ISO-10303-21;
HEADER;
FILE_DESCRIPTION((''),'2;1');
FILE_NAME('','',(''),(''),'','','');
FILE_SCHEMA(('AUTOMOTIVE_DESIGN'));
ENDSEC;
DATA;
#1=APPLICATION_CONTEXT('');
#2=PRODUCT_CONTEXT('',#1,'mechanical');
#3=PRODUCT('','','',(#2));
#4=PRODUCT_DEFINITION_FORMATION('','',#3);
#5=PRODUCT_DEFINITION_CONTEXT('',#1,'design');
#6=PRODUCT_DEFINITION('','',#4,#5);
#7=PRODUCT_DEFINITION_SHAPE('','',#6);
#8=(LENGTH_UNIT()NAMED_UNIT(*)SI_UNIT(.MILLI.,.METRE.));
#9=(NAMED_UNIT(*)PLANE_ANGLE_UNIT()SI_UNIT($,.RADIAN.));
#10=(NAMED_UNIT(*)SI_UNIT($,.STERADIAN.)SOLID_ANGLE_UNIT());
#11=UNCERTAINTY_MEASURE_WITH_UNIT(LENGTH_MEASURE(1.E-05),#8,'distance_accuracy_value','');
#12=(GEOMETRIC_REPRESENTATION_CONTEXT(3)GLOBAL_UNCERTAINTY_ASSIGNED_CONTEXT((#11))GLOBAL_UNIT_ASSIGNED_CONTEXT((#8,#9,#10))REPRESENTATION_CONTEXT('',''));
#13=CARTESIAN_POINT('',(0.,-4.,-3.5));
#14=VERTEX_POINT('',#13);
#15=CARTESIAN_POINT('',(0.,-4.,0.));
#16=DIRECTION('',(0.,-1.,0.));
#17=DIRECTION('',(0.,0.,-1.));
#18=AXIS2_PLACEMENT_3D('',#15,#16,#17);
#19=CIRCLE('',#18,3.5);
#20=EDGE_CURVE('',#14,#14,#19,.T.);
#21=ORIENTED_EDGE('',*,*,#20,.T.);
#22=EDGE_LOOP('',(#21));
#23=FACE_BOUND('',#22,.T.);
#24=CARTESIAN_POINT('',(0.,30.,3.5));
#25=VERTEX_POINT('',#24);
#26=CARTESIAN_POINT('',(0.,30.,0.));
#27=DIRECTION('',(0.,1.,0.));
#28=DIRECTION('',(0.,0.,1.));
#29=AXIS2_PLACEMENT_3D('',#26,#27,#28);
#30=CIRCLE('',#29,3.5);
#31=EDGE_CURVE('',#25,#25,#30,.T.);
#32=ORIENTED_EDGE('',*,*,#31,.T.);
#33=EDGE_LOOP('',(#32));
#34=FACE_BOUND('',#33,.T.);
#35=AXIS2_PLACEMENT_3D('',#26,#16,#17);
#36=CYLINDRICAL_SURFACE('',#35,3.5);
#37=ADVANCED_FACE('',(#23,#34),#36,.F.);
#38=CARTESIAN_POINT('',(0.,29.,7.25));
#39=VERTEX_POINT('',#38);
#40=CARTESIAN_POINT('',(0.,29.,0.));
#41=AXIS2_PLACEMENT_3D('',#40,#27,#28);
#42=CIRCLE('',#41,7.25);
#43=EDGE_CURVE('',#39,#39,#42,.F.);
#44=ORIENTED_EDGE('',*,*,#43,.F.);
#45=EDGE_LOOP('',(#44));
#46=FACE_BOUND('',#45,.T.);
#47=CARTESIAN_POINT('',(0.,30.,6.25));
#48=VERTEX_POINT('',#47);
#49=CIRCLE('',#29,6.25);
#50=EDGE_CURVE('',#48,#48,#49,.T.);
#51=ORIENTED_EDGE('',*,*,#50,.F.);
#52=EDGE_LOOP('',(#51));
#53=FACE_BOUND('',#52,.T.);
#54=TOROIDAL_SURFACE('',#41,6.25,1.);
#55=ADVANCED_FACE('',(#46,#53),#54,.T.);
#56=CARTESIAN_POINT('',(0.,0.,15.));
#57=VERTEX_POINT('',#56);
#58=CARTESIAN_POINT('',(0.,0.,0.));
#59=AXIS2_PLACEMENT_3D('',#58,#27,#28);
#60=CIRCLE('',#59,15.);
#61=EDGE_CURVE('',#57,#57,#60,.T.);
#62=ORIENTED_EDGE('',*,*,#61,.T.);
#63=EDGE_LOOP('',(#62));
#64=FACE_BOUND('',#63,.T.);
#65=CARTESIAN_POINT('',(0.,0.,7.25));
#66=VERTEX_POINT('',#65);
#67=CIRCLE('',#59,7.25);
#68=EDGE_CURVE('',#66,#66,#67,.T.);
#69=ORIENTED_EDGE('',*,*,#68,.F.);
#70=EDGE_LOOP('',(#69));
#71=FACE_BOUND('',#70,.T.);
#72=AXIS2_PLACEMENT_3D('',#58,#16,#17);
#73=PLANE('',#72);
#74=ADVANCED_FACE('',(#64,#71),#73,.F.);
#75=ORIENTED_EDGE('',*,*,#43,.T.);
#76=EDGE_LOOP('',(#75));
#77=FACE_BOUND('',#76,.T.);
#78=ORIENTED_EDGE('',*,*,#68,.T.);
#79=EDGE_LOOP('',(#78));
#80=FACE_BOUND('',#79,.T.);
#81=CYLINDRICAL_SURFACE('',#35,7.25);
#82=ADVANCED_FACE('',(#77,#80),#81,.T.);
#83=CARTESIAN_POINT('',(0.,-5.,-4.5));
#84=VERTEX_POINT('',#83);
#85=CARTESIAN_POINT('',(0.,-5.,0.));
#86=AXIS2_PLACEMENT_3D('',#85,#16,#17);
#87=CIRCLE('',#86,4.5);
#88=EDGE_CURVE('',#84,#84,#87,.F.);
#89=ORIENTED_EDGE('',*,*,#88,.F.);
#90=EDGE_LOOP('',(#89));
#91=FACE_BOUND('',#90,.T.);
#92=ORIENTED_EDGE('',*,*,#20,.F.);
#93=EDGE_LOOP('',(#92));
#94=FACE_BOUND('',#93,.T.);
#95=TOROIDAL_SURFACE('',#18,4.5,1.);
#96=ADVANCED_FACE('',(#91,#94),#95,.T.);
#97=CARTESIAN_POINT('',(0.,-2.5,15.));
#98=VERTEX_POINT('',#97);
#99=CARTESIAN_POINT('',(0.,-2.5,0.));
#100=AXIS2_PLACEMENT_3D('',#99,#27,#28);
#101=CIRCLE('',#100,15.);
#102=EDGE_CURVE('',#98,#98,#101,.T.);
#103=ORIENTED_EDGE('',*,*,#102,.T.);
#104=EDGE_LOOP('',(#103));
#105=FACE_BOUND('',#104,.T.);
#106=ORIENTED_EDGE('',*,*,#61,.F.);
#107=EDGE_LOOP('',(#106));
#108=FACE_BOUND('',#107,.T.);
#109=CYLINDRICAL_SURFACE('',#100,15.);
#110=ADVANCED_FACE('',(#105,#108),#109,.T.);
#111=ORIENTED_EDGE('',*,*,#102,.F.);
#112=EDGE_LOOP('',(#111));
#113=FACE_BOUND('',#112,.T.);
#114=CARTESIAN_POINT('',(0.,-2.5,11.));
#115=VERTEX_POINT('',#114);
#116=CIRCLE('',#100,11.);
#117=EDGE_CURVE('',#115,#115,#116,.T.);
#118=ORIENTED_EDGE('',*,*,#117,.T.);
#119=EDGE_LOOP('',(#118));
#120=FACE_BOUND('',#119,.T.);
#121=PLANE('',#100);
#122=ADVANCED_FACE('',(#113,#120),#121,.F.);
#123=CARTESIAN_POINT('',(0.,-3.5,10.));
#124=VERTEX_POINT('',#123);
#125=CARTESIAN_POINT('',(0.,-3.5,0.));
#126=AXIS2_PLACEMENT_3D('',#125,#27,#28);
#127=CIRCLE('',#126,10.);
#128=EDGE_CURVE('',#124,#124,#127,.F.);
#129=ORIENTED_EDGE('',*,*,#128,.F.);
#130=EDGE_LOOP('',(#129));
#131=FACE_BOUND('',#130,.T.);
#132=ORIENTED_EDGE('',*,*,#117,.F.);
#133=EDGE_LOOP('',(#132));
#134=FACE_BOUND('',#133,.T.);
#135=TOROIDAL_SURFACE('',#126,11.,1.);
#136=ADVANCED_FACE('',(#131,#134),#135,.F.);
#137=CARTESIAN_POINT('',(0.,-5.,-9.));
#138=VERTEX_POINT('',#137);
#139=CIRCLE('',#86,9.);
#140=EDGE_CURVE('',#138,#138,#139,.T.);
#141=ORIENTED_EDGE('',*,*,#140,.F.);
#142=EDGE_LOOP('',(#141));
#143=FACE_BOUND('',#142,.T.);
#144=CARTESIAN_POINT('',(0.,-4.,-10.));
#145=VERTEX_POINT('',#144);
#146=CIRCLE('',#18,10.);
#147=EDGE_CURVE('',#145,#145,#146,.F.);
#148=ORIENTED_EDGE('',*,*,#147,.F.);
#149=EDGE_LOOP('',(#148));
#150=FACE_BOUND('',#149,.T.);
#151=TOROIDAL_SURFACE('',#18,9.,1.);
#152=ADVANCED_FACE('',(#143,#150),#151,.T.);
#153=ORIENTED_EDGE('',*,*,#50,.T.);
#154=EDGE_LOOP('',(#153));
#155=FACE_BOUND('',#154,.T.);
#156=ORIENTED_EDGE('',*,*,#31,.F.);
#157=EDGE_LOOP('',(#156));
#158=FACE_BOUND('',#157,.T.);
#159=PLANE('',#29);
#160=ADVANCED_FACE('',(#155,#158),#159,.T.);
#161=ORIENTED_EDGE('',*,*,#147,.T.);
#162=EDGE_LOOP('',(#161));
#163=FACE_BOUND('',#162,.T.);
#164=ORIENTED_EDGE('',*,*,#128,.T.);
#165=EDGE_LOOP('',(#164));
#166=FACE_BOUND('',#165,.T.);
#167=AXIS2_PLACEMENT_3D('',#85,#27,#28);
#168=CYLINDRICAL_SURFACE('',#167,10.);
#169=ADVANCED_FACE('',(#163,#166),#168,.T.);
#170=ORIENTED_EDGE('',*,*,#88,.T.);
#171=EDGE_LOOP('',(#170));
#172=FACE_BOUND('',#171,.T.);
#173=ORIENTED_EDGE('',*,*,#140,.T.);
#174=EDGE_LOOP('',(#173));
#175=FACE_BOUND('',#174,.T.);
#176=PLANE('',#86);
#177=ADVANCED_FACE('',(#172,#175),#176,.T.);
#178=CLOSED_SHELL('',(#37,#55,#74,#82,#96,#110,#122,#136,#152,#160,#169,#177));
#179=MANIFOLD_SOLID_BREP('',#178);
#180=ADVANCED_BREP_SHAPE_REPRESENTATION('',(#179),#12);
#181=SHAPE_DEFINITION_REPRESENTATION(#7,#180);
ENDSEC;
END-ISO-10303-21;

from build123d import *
from build123d.topology import SkipClean

# Parameters (mm, degrees)
SKETCH1_R           = 7.25
SKETCH1_R_2         = 3.5
BOSS_EXTRUDE1_DEPTH = 30
BOSS_EXTRUDE2_START = 5
SKETCH2_R           = 10
SKETCH2_R_2         = 3.5
BOSS_EXTRUDE2_DEPTH = 5
BOSS_EXTRUDE3_START = -2.5
SKETCH3_R           = 15
SKETCH3_R_2         = 3.5
BOSS_EXTRUDE3_DEPTH = 2.5
FILLET1_R           = 1


with BuildPart() as part:
    # Sketch1 → Boss-Extrude1 (new body)
    with BuildSketch(Plane(origin=(0, 0, 0), x_dir=(1, 0, 0), z_dir=(0, 1, 0))):
        with Locations(Location((0, 0, 0), (0, 0, 270))):
            Circle(SKETCH1_R)
        with Locations(Location((0, 0, 0), (0, 0, 270))):
            Circle(SKETCH1_R_2, mode=Mode.SUBTRACT)
    extrude(amount=BOSS_EXTRUDE1_DEPTH)

    # Sketch2 → Boss-Extrude2 (add)
    with SkipClean():  # the faces are left unmerged after this step: merging them gives an invalid solid
        with BuildSketch(Plane.XZ.offset(BOSS_EXTRUDE2_START)):
            with Locations(Location((0, 0, 0), (0, 0, 270))):
                Circle(SKETCH2_R)
            with Locations(Location((0, 0, 0), (0, 0, 270))):
                Circle(SKETCH2_R_2, mode=Mode.SUBTRACT)
        extrude(amount=-BOSS_EXTRUDE2_DEPTH)

    # Sketch3 → Boss-Extrude3 (add)
    with SkipClean():  # the faces are left unmerged after this step: merging them gives an invalid solid
        with BuildSketch(Plane(origin=(0, 0, 0), x_dir=(1, 0, 0), z_dir=(0, 1, 0)).offset(BOSS_EXTRUDE3_START)):
            with Locations(Location((0, 0, 0), (0, 0, 270))):
                Circle(SKETCH3_R)
            with Locations(Location((0, 0, 0), (0, 0, 90))):
                Circle(SKETCH3_R_2, mode=Mode.SUBTRACT)
        extrude(amount=BOSS_EXTRUDE3_DEPTH)

    # Fillet1
    fillet1_edges = [part.edges().sort_by_distance(p)[0] for p in [
        (0, -5, 10),
        (0, -5, 3.5),
        (0, -2.5, 10),
        (0, 30, -7.25),
    ]]
    fillet(fillet1_edges, radius=FILLET1_R)


solid = part.part
